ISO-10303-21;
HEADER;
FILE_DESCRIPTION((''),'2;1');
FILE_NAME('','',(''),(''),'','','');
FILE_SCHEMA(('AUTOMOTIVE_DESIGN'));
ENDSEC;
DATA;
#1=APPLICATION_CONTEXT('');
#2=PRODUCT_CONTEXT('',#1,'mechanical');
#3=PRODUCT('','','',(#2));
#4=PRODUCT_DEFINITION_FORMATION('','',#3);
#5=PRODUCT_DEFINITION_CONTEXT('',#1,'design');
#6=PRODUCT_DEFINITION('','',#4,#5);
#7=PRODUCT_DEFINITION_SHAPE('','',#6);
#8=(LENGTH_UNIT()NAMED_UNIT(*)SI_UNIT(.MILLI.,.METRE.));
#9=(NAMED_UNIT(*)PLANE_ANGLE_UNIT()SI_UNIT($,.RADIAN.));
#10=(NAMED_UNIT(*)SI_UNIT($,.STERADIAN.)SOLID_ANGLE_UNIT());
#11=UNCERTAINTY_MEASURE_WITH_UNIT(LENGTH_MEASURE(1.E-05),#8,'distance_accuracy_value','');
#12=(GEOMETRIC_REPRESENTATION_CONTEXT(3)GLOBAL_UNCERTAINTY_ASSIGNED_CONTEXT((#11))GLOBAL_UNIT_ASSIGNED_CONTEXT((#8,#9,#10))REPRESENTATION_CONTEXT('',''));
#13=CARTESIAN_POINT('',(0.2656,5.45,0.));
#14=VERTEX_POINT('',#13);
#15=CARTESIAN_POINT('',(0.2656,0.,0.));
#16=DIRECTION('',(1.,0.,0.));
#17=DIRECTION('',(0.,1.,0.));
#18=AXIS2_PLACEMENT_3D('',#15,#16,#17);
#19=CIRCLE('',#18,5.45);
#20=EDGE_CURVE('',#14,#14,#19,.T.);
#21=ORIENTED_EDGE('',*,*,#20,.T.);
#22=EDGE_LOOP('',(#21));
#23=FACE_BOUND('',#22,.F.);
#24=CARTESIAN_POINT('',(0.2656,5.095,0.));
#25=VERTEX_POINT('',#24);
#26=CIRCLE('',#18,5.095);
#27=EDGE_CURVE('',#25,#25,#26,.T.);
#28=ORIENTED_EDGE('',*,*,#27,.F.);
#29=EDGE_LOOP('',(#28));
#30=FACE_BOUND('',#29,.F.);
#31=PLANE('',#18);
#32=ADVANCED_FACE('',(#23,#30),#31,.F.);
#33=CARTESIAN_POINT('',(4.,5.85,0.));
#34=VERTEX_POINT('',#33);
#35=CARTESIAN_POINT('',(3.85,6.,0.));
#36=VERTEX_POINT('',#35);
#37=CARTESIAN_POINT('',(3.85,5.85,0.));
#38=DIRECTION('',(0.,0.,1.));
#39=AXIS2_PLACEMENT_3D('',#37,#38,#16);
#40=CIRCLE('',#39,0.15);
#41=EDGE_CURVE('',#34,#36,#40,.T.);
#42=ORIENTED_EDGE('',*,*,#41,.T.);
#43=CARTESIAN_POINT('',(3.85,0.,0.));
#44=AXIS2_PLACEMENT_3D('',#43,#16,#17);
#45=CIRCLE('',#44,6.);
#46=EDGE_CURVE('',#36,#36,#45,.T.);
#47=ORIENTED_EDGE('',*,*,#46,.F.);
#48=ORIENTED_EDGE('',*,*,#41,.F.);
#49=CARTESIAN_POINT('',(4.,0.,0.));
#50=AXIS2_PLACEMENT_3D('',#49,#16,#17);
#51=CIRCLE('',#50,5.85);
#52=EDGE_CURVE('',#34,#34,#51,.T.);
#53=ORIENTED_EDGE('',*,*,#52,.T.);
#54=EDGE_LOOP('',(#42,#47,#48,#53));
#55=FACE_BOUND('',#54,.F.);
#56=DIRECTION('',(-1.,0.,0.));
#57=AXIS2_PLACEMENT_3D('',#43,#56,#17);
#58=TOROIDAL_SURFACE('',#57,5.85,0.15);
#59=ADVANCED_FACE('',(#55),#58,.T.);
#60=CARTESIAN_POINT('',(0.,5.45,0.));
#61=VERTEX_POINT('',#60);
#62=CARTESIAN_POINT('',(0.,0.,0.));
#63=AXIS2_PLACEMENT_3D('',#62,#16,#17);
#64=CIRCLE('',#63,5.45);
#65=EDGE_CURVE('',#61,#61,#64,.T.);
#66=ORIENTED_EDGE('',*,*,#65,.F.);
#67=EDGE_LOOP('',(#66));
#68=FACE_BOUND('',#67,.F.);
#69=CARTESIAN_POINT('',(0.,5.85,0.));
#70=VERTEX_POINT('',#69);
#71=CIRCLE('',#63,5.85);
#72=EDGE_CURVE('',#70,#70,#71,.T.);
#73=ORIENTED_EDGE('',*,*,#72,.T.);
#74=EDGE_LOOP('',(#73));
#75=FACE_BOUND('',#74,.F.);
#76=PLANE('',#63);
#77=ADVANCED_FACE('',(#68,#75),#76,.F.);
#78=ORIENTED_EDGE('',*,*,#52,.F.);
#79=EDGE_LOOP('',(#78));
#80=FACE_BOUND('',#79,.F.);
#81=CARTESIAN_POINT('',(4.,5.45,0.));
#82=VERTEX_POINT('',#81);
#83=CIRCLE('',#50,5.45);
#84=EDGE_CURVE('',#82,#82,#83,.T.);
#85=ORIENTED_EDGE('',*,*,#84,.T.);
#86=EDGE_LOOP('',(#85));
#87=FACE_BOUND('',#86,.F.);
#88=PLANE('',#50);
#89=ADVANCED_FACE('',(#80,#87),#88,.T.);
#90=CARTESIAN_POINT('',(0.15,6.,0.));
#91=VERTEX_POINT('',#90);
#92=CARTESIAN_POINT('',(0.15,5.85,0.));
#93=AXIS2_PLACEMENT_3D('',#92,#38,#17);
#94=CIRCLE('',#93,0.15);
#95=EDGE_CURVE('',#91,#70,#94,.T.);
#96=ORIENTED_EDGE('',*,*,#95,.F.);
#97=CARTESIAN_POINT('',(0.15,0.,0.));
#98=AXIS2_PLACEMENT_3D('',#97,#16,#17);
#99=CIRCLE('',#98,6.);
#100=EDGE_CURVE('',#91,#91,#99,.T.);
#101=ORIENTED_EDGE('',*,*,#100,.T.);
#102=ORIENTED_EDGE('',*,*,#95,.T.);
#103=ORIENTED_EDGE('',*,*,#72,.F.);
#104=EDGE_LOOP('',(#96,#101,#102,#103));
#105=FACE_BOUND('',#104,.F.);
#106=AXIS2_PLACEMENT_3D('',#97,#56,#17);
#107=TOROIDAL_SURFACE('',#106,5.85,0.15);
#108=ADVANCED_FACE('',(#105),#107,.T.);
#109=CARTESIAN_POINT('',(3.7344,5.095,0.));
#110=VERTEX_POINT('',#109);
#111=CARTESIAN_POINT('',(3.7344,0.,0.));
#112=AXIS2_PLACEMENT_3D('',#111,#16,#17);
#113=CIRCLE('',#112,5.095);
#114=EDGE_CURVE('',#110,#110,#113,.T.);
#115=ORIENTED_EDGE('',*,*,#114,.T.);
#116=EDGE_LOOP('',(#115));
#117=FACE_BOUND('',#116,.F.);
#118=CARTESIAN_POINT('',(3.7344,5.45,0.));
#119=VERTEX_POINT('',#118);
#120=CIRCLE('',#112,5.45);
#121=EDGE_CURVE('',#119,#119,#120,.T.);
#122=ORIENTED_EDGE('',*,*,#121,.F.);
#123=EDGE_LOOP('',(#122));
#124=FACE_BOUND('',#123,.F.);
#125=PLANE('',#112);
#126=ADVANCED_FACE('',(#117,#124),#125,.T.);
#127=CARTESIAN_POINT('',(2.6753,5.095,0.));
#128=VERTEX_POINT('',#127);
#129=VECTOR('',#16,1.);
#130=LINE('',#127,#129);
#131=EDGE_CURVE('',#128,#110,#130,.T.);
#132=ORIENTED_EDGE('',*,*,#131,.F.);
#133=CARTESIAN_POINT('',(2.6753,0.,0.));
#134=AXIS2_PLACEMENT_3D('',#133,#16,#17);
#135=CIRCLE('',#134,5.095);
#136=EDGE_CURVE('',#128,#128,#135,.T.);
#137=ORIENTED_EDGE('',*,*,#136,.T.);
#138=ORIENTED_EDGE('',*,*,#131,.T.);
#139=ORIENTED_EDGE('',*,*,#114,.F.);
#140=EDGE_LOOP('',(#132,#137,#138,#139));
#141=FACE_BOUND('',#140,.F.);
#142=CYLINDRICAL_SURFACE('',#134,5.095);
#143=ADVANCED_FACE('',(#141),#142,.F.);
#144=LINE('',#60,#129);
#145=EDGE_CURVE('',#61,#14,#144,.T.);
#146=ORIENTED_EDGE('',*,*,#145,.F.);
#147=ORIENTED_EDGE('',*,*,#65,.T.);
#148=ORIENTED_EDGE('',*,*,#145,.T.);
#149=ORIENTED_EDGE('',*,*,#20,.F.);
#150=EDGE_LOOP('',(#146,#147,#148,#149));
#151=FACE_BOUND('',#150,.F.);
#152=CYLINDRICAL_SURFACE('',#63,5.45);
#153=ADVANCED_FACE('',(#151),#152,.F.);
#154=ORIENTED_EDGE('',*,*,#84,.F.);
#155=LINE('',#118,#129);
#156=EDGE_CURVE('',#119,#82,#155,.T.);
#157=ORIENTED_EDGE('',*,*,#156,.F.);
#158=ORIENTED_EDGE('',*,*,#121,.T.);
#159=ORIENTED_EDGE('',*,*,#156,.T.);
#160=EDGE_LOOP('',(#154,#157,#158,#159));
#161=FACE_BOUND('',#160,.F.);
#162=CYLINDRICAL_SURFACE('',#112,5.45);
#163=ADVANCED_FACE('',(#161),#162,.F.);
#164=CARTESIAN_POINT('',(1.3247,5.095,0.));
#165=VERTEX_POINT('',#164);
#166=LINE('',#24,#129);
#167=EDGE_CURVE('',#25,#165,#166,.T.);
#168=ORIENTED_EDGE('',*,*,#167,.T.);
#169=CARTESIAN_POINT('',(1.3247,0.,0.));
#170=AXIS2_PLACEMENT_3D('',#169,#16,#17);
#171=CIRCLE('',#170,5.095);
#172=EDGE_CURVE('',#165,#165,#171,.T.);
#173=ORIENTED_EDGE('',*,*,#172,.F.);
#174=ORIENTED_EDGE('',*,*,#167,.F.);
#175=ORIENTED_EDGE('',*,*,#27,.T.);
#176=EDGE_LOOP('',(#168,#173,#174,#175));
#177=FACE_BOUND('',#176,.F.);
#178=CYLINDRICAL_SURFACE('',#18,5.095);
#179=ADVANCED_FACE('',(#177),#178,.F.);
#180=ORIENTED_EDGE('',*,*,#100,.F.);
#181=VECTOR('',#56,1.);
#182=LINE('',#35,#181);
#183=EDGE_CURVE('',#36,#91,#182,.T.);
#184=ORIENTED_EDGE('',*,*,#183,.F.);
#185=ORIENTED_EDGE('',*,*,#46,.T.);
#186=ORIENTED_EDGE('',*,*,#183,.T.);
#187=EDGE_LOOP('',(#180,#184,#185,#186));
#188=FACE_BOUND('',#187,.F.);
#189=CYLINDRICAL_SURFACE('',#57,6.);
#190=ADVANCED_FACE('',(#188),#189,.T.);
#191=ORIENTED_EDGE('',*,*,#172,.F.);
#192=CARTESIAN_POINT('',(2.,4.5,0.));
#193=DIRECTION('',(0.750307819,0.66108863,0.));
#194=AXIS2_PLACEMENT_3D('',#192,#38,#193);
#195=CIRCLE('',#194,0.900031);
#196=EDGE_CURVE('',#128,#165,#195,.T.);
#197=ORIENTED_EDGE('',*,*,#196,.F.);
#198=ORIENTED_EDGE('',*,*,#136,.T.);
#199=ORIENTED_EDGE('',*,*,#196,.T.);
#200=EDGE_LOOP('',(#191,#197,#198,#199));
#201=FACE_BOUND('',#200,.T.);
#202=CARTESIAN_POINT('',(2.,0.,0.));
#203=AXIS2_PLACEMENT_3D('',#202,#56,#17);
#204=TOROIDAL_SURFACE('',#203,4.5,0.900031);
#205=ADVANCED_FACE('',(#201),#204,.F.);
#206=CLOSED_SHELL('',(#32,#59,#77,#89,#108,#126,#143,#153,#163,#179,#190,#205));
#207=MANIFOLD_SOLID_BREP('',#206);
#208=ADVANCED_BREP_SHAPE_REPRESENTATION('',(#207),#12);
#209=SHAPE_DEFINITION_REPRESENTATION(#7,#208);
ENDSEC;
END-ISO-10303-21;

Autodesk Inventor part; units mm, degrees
sketch "Sketch_1" plane through (0, 0, 0) normal (0, 0, 1) x (1, 0, 0)
  line L0 (4, 0) -> (0, 0)
  line L1 (0, 5.45) -> (0.2656, 5.45)
  line L2 (0.2656, 5.45) -> (0.2656, 5.095)
  line L3 (0.2656, 5.095) -> (1.3247, 5.095)
  arc A0 (2.6753, 5.095) -> (1.3247, 5.095) centre (2, 4.5) ccw
  line L4 (2.6753, 5.095) -> (3.7344, 5.095)
  line L5 (3.7344, 5.095) -> (3.7344, 5.45)
  line L6 (3.7344, 5.45) -> (4, 5.45)
  line L7 (4, 5.45) -> (4, 5.85)
  arc A1 (4, 5.85) -> (3.85, 6) centre (3.85, 5.85) ccw
  line L8 (3.85, 6) -> (0.15, 6)
  arc A2 (0.15, 6) -> (0, 5.85) centre (0.15, 5.85) ccw
  line L9 (0, 5.85) -> (0, 5.45)
revolve "Revolution1" add sketch "Sketch_1" angle 360 about axis through (4, 0, 0) along (1, 0, 0)
ref_plane "ip_st_or_1_XY" through (0, 0, 0) normal (1, 0, 0) x (0, 0, -1)
ref_plane "ip_st_or_1_YZ" through (0, 0, 0) normal (0, 0, -1) x (0, 1, 0)
ref_plane "ip_st_or_1_ZX" through (0, 0, 0) normal (0, 1, 0) x (1, 0, 0)
ref_plane "ip_st_or_2_XY" through (3.7344, 0, 0) normal (-1, 0, 0) x (0, 0, -1)
ref_plane "ip_st_or_2_YZ" through (3.7344, 0, 0) normal (0, 0, -1) x (0, -1, 0)
ref_plane "ip_st_or_2_ZX" through (3.7344, 0, 0) normal (0, -1, 0) x (-1, 0, 0)
properties part number "MR126ZZ Outer Ring"
